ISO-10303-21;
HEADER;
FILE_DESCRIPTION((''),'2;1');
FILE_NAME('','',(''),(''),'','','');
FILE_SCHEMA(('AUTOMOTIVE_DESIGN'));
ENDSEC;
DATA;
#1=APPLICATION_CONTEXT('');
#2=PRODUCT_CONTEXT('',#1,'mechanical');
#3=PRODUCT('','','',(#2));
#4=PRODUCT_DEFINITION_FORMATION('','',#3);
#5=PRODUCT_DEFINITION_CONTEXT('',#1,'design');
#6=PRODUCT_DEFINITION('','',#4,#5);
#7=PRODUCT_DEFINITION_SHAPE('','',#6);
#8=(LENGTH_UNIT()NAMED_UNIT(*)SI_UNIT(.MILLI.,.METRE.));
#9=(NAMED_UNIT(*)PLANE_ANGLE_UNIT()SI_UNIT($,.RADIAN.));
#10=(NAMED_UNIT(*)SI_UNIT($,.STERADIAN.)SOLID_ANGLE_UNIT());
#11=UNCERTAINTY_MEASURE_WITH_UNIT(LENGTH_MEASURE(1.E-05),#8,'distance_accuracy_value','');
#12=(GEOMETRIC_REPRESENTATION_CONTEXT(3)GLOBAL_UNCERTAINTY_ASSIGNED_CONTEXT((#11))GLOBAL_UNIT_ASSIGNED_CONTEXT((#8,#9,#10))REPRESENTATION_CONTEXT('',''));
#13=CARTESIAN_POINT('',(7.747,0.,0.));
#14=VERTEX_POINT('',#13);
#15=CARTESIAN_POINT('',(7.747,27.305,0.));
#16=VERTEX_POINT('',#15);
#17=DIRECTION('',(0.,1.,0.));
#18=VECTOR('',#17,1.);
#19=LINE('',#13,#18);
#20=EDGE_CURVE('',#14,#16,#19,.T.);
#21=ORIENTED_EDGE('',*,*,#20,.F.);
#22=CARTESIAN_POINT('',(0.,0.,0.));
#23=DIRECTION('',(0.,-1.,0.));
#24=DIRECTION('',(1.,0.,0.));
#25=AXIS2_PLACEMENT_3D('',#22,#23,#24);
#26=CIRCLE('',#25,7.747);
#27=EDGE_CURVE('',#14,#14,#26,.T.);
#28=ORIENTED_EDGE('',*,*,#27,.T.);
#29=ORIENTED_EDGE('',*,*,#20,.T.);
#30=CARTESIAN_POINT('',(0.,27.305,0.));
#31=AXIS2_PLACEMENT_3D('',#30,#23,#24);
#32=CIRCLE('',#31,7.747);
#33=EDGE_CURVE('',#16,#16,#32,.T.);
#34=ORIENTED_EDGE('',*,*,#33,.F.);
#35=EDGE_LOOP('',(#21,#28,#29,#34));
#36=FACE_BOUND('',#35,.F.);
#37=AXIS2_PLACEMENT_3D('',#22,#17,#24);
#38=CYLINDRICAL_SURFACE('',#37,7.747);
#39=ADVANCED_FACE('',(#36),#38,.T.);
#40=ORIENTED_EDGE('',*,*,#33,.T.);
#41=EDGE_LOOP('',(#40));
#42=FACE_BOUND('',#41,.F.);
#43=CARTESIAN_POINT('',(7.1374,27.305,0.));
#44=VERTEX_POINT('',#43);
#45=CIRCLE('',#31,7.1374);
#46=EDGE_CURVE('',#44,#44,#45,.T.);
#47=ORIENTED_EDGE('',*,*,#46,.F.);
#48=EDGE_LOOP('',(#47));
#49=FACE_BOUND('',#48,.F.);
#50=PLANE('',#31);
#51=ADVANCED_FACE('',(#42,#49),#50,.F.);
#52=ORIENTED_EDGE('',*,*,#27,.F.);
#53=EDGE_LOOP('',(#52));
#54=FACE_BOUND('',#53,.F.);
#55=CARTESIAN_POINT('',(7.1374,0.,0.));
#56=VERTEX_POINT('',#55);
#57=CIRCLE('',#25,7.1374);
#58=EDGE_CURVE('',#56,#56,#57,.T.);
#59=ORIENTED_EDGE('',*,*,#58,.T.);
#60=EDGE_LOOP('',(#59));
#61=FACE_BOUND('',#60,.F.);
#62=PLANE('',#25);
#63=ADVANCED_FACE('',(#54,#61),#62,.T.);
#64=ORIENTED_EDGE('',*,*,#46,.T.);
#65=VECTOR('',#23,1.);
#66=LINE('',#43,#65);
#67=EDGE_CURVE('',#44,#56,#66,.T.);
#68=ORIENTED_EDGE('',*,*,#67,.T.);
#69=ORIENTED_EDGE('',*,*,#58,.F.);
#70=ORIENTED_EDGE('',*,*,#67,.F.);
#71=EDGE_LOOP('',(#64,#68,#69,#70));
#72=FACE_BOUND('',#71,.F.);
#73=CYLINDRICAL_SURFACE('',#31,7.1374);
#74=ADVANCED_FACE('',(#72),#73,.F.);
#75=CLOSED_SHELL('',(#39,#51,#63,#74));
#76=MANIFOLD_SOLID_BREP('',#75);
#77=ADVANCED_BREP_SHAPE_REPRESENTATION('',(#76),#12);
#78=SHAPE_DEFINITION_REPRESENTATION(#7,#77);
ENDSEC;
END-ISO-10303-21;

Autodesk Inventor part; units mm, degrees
sketch "Sketch_4" plane through (0, 0, 0) normal (0, 0, 1) x (1, 0, 0)
  line L0 (0, 0) -> (0, 27.305)
  line L1 (7.1374, 27.305) -> (7.1374, 0)
  line L2 (7.1374, 0) -> (7.747, 0)
  line L3 (7.747, 0) -> (7.747, 27.305)
  line L4 (7.747, 27.305) -> (7.1374, 27.305)
revolve "Revolution1" add sketch "Sketch_4" angle 360 about axis through (0, 0, 0) along (0, -1, 0)
ref_plane "rod_to_part_XY" through (0, 13.6525, 0) normal (0, 1, 0) x (1, 0, 0)
ref_plane "rod_to_part_YZ" through (0, 13.6525, 0) normal (1, 0, 0) x (0, 0, -1)
ref_plane "rod_to_part_ZX" through (0, 13.6525, 0) normal (0, 0, -1) x (0, 1, 0)
ref_plane "to_road_XY" through (0, 13.6525, 0) normal (0, 1, 0) x (1, 0, 0)
ref_plane "to_road_YZ" through (0, 13.6525, 0) normal (1, 0, 0) x (0, 0, -1)
ref_plane "to_road_ZX" through (0, 13.6525, 0) normal (0, 0, -1) x (0, 1, 0)
ref_plane "track1_XY" through (-7.747, 24.765, 0) normal (0, 1, 0) x (1, 0, 0)
ref_plane "track1_YZ" through (-7.747, 24.765, 0) normal (1, 0, 0) x (0, 0, -1)
ref_plane "track1_ZX" through (-7.747, 24.765, 0) normal (0, 0, -1) x (0, 1, 0)
ref_plane "track1_u_XY" through (-7.747, 2.54, 0) normal (0, 1, 0) x (1, 0, 0)
ref_plane "track1_u_YZ" through (-7.747, 2.54, 0) normal (1, 0, 0) x (0, 0, -1)
ref_plane "track1_u_ZX" through (-7.747, 2.54, 0) normal (0, 0, -1) x (0, 1, 0)
ref_plane "track2_XY" through (0, 24.765, -7.747) normal (0, 1, 0) x (1, 0, 0)
ref_plane "track2_YZ" through (0, 24.765, -7.747) normal (1, 0, 0) x (0, 0, -1)
ref_plane "track2_ZX" through (0, 24.765, -7.747) normal (0, 0, -1) x (0, 1, 0)
ref_plane "track2_u_XY" through (0, 2.54, -7.747) normal (0, 1, 0) x (1, 0, 0)
ref_plane "track2_u_YZ" through (0, 2.54, -7.747) normal (1, 0, 0) x (0, 0, -1)
ref_plane "track2_u_ZX" through (0, 2.54, -7.747) normal (0, 0, -1) x (0, 1, 0)
ref_plane "track3_XY" through (7.747, 24.765, 0) normal (0, 1, 0) x (1, 0, 0)
ref_plane "track3_YZ" through (7.747, 24.765, 0) normal (1, 0, 0) x (0, 0, -1)
ref_plane "track3_ZX" through (7.747, 24.765, 0) normal (0, 0, -1) x (0, 1, 0)
ref_plane "track3_u_XY" through (7.747, 2.54, 0) normal (0, 1, 0) x (1, 0, 0)
ref_plane "track3_u_YZ" through (7.747, 2.54, 0) normal (1, 0, 0) x (0, 0, -1)
ref_plane "track3_u_ZX" through (7.747, 2.54, 0) normal (0, 0, -1) x (0, 1, 0)
ref_plane "track4_XY" through (0, 24.765, 7.747) normal (0, 1, 0) x (1, 0, 0)
ref_plane "track4_YZ" through (0, 24.765, 7.747) normal (1, 0, 0) x (0, 0, -1)
ref_plane "track4_ZX" through (0, 24.765, 7.747) normal (0, 0, -1) x (0, 1, 0)
ref_plane "track4_u_XY" through (0, 2.54, 7.747) normal (0, 1, 0) x (1, 0, 0)
ref_plane "track4_u_YZ" through (0, 2.54, 7.747) normal (1, 0, 0) x (0, 0, -1)
ref_plane "track4_u_ZX" through (0, 2.54, 7.747) normal (0, 0, -1) x (0, 1, 0)
ref_plane "tube_rear_XY" through (0, 27.305, 0) normal (0, 1, 0) x (1, 0, 0)
ref_plane "tube_rear_YZ" through (0, 27.305, 0) normal (1, 0, 0) x (0, 0, -1)
ref_plane "tube_rear_ZX" through (0, 27.305, 0) normal (0, 0, -1) x (0, 1, 0)
ref_plane "tube_rod_guide_XY" through (0, 0, 0) normal (0, 1, 0) x (1, 0, 0)
ref_plane "tube_rod_guide_YZ" through (0, 0, 0) normal (1, 0, 0) x (0, 0, -1)
ref_plane "tube_rod_guide_ZX" through (0, 0, 0) normal (0, 0, -1) x (0, 1, 0)
properties part number "021.075-FO1_BM_tube"
